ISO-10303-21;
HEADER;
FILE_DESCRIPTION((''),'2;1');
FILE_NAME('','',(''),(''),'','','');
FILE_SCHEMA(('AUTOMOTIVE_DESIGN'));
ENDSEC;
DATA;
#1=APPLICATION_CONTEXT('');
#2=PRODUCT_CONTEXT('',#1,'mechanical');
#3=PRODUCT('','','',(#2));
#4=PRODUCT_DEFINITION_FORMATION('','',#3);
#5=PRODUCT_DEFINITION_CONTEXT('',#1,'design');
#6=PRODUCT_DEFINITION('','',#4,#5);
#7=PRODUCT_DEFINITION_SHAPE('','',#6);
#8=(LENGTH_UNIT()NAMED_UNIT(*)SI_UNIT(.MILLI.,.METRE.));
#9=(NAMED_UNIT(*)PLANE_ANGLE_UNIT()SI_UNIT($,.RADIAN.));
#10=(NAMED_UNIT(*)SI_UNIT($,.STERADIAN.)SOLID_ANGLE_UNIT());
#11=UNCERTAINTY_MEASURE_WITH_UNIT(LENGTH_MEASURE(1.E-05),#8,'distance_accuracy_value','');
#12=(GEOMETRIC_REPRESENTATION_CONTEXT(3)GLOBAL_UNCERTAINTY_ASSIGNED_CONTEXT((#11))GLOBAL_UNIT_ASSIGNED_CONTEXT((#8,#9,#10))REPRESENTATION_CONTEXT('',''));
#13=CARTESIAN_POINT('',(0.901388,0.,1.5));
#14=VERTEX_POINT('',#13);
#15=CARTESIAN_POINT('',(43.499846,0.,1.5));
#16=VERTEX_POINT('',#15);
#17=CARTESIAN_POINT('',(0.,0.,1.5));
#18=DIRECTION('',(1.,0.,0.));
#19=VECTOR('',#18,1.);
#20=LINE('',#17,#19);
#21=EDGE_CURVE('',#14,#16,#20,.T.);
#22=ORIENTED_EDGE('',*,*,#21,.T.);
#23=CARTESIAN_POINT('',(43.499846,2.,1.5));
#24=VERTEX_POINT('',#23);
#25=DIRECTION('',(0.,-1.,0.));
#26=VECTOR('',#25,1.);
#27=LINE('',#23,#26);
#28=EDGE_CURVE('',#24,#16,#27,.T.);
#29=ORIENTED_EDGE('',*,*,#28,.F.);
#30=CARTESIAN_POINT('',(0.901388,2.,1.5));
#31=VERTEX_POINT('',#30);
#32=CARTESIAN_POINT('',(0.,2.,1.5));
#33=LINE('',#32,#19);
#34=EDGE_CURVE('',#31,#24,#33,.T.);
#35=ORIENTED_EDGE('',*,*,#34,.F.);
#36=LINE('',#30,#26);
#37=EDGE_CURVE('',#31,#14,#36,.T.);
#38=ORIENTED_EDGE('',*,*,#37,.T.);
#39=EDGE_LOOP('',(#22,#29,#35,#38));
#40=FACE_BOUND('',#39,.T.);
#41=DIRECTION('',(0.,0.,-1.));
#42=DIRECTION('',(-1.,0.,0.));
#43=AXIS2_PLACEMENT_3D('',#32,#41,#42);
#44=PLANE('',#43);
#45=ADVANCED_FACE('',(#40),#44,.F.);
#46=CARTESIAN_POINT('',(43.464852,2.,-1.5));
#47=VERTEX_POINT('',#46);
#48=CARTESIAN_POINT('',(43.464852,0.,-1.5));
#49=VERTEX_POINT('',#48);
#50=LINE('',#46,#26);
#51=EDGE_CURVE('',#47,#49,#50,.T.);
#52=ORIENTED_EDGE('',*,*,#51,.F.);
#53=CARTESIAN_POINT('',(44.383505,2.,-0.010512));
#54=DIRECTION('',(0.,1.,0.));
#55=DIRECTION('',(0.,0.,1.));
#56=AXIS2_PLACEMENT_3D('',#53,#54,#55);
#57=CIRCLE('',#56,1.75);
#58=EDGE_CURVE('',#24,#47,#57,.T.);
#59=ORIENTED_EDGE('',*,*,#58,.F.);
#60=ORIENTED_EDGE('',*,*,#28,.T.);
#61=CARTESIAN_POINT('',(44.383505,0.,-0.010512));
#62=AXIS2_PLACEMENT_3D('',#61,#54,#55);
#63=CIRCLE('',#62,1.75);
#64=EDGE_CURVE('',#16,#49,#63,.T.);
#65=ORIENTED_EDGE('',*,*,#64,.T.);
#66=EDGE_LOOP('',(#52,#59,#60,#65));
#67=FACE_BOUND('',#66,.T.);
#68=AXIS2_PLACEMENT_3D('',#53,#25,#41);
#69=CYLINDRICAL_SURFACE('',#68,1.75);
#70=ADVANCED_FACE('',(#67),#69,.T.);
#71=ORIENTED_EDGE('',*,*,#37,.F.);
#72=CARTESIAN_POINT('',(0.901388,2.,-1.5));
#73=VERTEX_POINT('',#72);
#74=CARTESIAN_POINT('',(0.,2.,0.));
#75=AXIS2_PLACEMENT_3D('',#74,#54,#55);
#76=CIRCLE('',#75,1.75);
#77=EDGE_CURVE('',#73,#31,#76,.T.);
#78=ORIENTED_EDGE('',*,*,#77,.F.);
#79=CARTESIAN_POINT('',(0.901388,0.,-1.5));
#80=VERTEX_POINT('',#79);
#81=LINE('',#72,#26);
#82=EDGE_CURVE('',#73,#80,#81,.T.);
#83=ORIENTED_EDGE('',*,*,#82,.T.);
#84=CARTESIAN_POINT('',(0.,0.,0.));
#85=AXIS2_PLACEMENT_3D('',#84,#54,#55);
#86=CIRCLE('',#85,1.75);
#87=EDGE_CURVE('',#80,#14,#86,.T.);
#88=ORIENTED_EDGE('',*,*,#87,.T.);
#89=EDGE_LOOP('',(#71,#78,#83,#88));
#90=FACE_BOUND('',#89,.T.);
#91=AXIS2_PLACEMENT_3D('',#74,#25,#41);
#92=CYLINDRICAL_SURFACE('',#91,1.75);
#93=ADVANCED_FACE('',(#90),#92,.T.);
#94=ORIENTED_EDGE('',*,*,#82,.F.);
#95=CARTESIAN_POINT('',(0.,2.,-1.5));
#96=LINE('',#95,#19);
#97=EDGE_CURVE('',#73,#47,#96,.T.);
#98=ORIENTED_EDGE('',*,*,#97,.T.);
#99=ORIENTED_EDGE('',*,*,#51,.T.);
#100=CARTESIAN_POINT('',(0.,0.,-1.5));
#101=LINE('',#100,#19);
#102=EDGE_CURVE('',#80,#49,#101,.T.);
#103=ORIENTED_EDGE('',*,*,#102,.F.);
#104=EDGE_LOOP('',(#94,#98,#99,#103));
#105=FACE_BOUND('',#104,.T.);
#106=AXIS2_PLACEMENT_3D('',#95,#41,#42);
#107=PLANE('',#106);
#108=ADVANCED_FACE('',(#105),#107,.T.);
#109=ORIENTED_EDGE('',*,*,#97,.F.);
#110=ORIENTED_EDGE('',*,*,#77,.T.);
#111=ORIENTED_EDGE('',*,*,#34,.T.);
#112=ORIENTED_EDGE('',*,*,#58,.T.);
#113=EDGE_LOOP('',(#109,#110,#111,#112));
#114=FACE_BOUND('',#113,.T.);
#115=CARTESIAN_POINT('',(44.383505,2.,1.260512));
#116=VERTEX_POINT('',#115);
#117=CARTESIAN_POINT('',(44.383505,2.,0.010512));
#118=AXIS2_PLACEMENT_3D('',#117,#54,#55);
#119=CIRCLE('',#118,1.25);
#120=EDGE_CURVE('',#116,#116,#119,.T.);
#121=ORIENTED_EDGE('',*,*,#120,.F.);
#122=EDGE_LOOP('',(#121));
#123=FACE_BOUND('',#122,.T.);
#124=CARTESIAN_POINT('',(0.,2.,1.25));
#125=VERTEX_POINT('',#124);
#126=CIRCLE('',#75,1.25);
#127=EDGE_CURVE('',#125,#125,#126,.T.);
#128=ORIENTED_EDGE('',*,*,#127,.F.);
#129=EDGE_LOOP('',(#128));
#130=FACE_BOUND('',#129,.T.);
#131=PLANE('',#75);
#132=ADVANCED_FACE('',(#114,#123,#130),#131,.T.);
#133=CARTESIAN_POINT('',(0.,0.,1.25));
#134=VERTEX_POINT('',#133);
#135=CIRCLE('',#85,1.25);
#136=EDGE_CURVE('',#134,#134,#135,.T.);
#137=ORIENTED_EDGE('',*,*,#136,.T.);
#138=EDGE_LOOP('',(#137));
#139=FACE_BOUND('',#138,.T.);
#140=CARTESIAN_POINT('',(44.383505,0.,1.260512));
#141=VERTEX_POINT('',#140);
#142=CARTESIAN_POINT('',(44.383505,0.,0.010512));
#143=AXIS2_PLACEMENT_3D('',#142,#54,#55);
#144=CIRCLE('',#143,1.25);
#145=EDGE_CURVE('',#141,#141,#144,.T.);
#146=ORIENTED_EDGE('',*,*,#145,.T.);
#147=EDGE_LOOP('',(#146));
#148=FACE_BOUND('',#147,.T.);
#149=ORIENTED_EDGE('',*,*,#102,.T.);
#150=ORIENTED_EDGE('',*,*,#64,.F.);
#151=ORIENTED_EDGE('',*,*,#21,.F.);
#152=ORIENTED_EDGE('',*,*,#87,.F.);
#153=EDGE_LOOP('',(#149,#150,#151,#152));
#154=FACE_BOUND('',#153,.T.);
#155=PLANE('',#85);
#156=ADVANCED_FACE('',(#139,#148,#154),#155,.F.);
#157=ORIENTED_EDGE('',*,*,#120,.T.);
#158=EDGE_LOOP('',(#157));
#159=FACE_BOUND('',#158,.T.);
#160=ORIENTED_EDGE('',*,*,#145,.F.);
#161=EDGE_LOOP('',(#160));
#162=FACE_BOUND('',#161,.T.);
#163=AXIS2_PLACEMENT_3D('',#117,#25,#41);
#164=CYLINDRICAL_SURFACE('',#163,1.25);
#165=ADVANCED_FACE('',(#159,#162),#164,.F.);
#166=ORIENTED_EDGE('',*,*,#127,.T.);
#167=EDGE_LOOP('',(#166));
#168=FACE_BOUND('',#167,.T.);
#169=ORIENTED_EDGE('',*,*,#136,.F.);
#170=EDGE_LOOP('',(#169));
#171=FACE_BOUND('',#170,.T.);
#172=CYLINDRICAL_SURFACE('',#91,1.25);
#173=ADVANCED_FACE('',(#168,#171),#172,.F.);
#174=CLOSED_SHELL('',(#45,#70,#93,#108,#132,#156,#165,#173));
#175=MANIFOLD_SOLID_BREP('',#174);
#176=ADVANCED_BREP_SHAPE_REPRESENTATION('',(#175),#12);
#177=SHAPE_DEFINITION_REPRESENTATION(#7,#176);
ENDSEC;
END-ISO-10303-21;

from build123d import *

# Parameters (mm, degrees)
BOSS_EXTRUDE1_DEPTH = 2


with BuildPart() as part:
    # Sketch2 → Boss-Extrude1 (new body)
    with BuildSketch(Plane(origin=(0, 0, 0), x_dir=(1, 0, 0), z_dir=(0, 1, 0))):
        with BuildLine():
            Line((43.464851994, 1.5), (0.901387819, 1.5))
            ThreePointArc((0.901387819, 1.5), (1.523142916, 0.861705088), (1.75, 0))
            ThreePointArc((1.75, 0), (1.523142916, -0.861705088), (0.901387819, -1.5))
            Line((0.901387819, -1.5), (43.499845541, -1.5))
            ThreePointArc((43.499845541, -1.5), (42.633624493, -0.009899958), (43.464851994, 1.5))
        make_face()
        with BuildLine():
            Line((0.901387819, 1.5), (0, 1.5))
            Line((0, 1.5), (0, 1.25))
            ThreePointArc((0, 1.25), (0.883883476, 0.883883476), (1.25, 0))
            ThreePointArc((1.25, 0), (0.883883476, -0.883883476), (0, -1.25))
            Line((0, -1.25), (0, -1.5))
            Line((0, -1.5), (0.901387819, -1.5))
            ThreePointArc((0.901387819, -1.5), (1.523142916, -0.861705088), (1.75, 0))
            ThreePointArc((1.75, 0), (1.523142916, 0.861705088), (0.901387819, 1.5))
        make_face()
        with BuildLine():
            Line((0, 1.5), (0, 1.75))
            ThreePointArc((0, 1.75), (-1.75, 0), (0, -1.75))
            Line((0, -1.75), (0, -1.5))
            Line((0, -1.5), (0, -1.25))
            ThreePointArc((0, -1.25), (-1.25, 0), (0, 1.25))
            Line((0, 1.25), (0, 1.5))
        make_face()
        with BuildLine():
            Line((44.383505452, 1.760511556), (44.383505452, 1.5))
            Line((44.383505452, 1.5), (44.383505452, 1.239488444))
            ThreePointArc((44.383505452, 1.239488444), (45.267388929, 0.87337192), (45.633505452, -0.010511556))
            ThreePointArc((45.633505452, -0.010511556), (45.267388929, -0.894395033), (44.383505452, -1.260511556))
            Line((44.383505452, -1.260511556), (44.383505452, -1.5))
            Line((44.383505452, -1.5), (44.383505452, -1.739488444))
            ThreePointArc((44.383505452, -1.739488444), (45.620942319, -1.226925311), (46.133505452, 0.010511556))
            ThreePointArc((46.133505452, 0.010511556), (45.620942319, 1.247948423), (44.383505452, 1.760511556))
        make_face()
        with BuildLine():
            Line((44.383505452, 1.5), (43.464851994, 1.5))
            ThreePointArc((43.464851994, 1.5), (42.633624493, -0.009899958), (43.499845541, -1.5))
            Line((43.499845541, -1.5), (44.383505452, -1.5))
            Line((44.383505452, -1.5), (44.383505452, -1.260511556))
            ThreePointArc((44.383505452, -1.260511556), (43.133505452, -0.010511556), (44.383505452, 1.239488444))
            Line((44.383505452, 1.239488444), (44.383505452, 1.5))
        make_face()
        with BuildLine():
            ThreePointArc((0.901387819, 1.5), (0.467707173, 1.686342195), (0, 1.75))
            Line((0, 1.75), (0, 1.5))
            Line((0, 1.5), (0.901387819, 1.5))
        make_face()
        with BuildLine():
            Line((0, -1.5), (0, -1.75))
            ThreePointArc((0, -1.75), (0.467707173, -1.686342195), (0.901387819, -1.5))
            Line((0.901387819, -1.5), (0, -1.5))
        make_face()
        with BuildLine():
            ThreePointArc((44.383505452, 1.760511556), (43.906066857, 1.694124454), (43.464851994, 1.5))
            Line((43.464851994, 1.5), (44.383505452, 1.5))
            Line((44.383505452, 1.5), (44.383505452, 1.760511556))
        make_face()
        with BuildLine():
            Line((44.383505452, -1.5), (43.499845541, -1.5))
            ThreePointArc((43.499845541, -1.5), (43.925736528, -1.678555527), (44.383505452, -1.739488444))
            Line((44.383505452, -1.739488444), (44.383505452, -1.5))
        make_face()
    extrude(amount=BOSS_EXTRUDE1_DEPTH)


solid = part.part
